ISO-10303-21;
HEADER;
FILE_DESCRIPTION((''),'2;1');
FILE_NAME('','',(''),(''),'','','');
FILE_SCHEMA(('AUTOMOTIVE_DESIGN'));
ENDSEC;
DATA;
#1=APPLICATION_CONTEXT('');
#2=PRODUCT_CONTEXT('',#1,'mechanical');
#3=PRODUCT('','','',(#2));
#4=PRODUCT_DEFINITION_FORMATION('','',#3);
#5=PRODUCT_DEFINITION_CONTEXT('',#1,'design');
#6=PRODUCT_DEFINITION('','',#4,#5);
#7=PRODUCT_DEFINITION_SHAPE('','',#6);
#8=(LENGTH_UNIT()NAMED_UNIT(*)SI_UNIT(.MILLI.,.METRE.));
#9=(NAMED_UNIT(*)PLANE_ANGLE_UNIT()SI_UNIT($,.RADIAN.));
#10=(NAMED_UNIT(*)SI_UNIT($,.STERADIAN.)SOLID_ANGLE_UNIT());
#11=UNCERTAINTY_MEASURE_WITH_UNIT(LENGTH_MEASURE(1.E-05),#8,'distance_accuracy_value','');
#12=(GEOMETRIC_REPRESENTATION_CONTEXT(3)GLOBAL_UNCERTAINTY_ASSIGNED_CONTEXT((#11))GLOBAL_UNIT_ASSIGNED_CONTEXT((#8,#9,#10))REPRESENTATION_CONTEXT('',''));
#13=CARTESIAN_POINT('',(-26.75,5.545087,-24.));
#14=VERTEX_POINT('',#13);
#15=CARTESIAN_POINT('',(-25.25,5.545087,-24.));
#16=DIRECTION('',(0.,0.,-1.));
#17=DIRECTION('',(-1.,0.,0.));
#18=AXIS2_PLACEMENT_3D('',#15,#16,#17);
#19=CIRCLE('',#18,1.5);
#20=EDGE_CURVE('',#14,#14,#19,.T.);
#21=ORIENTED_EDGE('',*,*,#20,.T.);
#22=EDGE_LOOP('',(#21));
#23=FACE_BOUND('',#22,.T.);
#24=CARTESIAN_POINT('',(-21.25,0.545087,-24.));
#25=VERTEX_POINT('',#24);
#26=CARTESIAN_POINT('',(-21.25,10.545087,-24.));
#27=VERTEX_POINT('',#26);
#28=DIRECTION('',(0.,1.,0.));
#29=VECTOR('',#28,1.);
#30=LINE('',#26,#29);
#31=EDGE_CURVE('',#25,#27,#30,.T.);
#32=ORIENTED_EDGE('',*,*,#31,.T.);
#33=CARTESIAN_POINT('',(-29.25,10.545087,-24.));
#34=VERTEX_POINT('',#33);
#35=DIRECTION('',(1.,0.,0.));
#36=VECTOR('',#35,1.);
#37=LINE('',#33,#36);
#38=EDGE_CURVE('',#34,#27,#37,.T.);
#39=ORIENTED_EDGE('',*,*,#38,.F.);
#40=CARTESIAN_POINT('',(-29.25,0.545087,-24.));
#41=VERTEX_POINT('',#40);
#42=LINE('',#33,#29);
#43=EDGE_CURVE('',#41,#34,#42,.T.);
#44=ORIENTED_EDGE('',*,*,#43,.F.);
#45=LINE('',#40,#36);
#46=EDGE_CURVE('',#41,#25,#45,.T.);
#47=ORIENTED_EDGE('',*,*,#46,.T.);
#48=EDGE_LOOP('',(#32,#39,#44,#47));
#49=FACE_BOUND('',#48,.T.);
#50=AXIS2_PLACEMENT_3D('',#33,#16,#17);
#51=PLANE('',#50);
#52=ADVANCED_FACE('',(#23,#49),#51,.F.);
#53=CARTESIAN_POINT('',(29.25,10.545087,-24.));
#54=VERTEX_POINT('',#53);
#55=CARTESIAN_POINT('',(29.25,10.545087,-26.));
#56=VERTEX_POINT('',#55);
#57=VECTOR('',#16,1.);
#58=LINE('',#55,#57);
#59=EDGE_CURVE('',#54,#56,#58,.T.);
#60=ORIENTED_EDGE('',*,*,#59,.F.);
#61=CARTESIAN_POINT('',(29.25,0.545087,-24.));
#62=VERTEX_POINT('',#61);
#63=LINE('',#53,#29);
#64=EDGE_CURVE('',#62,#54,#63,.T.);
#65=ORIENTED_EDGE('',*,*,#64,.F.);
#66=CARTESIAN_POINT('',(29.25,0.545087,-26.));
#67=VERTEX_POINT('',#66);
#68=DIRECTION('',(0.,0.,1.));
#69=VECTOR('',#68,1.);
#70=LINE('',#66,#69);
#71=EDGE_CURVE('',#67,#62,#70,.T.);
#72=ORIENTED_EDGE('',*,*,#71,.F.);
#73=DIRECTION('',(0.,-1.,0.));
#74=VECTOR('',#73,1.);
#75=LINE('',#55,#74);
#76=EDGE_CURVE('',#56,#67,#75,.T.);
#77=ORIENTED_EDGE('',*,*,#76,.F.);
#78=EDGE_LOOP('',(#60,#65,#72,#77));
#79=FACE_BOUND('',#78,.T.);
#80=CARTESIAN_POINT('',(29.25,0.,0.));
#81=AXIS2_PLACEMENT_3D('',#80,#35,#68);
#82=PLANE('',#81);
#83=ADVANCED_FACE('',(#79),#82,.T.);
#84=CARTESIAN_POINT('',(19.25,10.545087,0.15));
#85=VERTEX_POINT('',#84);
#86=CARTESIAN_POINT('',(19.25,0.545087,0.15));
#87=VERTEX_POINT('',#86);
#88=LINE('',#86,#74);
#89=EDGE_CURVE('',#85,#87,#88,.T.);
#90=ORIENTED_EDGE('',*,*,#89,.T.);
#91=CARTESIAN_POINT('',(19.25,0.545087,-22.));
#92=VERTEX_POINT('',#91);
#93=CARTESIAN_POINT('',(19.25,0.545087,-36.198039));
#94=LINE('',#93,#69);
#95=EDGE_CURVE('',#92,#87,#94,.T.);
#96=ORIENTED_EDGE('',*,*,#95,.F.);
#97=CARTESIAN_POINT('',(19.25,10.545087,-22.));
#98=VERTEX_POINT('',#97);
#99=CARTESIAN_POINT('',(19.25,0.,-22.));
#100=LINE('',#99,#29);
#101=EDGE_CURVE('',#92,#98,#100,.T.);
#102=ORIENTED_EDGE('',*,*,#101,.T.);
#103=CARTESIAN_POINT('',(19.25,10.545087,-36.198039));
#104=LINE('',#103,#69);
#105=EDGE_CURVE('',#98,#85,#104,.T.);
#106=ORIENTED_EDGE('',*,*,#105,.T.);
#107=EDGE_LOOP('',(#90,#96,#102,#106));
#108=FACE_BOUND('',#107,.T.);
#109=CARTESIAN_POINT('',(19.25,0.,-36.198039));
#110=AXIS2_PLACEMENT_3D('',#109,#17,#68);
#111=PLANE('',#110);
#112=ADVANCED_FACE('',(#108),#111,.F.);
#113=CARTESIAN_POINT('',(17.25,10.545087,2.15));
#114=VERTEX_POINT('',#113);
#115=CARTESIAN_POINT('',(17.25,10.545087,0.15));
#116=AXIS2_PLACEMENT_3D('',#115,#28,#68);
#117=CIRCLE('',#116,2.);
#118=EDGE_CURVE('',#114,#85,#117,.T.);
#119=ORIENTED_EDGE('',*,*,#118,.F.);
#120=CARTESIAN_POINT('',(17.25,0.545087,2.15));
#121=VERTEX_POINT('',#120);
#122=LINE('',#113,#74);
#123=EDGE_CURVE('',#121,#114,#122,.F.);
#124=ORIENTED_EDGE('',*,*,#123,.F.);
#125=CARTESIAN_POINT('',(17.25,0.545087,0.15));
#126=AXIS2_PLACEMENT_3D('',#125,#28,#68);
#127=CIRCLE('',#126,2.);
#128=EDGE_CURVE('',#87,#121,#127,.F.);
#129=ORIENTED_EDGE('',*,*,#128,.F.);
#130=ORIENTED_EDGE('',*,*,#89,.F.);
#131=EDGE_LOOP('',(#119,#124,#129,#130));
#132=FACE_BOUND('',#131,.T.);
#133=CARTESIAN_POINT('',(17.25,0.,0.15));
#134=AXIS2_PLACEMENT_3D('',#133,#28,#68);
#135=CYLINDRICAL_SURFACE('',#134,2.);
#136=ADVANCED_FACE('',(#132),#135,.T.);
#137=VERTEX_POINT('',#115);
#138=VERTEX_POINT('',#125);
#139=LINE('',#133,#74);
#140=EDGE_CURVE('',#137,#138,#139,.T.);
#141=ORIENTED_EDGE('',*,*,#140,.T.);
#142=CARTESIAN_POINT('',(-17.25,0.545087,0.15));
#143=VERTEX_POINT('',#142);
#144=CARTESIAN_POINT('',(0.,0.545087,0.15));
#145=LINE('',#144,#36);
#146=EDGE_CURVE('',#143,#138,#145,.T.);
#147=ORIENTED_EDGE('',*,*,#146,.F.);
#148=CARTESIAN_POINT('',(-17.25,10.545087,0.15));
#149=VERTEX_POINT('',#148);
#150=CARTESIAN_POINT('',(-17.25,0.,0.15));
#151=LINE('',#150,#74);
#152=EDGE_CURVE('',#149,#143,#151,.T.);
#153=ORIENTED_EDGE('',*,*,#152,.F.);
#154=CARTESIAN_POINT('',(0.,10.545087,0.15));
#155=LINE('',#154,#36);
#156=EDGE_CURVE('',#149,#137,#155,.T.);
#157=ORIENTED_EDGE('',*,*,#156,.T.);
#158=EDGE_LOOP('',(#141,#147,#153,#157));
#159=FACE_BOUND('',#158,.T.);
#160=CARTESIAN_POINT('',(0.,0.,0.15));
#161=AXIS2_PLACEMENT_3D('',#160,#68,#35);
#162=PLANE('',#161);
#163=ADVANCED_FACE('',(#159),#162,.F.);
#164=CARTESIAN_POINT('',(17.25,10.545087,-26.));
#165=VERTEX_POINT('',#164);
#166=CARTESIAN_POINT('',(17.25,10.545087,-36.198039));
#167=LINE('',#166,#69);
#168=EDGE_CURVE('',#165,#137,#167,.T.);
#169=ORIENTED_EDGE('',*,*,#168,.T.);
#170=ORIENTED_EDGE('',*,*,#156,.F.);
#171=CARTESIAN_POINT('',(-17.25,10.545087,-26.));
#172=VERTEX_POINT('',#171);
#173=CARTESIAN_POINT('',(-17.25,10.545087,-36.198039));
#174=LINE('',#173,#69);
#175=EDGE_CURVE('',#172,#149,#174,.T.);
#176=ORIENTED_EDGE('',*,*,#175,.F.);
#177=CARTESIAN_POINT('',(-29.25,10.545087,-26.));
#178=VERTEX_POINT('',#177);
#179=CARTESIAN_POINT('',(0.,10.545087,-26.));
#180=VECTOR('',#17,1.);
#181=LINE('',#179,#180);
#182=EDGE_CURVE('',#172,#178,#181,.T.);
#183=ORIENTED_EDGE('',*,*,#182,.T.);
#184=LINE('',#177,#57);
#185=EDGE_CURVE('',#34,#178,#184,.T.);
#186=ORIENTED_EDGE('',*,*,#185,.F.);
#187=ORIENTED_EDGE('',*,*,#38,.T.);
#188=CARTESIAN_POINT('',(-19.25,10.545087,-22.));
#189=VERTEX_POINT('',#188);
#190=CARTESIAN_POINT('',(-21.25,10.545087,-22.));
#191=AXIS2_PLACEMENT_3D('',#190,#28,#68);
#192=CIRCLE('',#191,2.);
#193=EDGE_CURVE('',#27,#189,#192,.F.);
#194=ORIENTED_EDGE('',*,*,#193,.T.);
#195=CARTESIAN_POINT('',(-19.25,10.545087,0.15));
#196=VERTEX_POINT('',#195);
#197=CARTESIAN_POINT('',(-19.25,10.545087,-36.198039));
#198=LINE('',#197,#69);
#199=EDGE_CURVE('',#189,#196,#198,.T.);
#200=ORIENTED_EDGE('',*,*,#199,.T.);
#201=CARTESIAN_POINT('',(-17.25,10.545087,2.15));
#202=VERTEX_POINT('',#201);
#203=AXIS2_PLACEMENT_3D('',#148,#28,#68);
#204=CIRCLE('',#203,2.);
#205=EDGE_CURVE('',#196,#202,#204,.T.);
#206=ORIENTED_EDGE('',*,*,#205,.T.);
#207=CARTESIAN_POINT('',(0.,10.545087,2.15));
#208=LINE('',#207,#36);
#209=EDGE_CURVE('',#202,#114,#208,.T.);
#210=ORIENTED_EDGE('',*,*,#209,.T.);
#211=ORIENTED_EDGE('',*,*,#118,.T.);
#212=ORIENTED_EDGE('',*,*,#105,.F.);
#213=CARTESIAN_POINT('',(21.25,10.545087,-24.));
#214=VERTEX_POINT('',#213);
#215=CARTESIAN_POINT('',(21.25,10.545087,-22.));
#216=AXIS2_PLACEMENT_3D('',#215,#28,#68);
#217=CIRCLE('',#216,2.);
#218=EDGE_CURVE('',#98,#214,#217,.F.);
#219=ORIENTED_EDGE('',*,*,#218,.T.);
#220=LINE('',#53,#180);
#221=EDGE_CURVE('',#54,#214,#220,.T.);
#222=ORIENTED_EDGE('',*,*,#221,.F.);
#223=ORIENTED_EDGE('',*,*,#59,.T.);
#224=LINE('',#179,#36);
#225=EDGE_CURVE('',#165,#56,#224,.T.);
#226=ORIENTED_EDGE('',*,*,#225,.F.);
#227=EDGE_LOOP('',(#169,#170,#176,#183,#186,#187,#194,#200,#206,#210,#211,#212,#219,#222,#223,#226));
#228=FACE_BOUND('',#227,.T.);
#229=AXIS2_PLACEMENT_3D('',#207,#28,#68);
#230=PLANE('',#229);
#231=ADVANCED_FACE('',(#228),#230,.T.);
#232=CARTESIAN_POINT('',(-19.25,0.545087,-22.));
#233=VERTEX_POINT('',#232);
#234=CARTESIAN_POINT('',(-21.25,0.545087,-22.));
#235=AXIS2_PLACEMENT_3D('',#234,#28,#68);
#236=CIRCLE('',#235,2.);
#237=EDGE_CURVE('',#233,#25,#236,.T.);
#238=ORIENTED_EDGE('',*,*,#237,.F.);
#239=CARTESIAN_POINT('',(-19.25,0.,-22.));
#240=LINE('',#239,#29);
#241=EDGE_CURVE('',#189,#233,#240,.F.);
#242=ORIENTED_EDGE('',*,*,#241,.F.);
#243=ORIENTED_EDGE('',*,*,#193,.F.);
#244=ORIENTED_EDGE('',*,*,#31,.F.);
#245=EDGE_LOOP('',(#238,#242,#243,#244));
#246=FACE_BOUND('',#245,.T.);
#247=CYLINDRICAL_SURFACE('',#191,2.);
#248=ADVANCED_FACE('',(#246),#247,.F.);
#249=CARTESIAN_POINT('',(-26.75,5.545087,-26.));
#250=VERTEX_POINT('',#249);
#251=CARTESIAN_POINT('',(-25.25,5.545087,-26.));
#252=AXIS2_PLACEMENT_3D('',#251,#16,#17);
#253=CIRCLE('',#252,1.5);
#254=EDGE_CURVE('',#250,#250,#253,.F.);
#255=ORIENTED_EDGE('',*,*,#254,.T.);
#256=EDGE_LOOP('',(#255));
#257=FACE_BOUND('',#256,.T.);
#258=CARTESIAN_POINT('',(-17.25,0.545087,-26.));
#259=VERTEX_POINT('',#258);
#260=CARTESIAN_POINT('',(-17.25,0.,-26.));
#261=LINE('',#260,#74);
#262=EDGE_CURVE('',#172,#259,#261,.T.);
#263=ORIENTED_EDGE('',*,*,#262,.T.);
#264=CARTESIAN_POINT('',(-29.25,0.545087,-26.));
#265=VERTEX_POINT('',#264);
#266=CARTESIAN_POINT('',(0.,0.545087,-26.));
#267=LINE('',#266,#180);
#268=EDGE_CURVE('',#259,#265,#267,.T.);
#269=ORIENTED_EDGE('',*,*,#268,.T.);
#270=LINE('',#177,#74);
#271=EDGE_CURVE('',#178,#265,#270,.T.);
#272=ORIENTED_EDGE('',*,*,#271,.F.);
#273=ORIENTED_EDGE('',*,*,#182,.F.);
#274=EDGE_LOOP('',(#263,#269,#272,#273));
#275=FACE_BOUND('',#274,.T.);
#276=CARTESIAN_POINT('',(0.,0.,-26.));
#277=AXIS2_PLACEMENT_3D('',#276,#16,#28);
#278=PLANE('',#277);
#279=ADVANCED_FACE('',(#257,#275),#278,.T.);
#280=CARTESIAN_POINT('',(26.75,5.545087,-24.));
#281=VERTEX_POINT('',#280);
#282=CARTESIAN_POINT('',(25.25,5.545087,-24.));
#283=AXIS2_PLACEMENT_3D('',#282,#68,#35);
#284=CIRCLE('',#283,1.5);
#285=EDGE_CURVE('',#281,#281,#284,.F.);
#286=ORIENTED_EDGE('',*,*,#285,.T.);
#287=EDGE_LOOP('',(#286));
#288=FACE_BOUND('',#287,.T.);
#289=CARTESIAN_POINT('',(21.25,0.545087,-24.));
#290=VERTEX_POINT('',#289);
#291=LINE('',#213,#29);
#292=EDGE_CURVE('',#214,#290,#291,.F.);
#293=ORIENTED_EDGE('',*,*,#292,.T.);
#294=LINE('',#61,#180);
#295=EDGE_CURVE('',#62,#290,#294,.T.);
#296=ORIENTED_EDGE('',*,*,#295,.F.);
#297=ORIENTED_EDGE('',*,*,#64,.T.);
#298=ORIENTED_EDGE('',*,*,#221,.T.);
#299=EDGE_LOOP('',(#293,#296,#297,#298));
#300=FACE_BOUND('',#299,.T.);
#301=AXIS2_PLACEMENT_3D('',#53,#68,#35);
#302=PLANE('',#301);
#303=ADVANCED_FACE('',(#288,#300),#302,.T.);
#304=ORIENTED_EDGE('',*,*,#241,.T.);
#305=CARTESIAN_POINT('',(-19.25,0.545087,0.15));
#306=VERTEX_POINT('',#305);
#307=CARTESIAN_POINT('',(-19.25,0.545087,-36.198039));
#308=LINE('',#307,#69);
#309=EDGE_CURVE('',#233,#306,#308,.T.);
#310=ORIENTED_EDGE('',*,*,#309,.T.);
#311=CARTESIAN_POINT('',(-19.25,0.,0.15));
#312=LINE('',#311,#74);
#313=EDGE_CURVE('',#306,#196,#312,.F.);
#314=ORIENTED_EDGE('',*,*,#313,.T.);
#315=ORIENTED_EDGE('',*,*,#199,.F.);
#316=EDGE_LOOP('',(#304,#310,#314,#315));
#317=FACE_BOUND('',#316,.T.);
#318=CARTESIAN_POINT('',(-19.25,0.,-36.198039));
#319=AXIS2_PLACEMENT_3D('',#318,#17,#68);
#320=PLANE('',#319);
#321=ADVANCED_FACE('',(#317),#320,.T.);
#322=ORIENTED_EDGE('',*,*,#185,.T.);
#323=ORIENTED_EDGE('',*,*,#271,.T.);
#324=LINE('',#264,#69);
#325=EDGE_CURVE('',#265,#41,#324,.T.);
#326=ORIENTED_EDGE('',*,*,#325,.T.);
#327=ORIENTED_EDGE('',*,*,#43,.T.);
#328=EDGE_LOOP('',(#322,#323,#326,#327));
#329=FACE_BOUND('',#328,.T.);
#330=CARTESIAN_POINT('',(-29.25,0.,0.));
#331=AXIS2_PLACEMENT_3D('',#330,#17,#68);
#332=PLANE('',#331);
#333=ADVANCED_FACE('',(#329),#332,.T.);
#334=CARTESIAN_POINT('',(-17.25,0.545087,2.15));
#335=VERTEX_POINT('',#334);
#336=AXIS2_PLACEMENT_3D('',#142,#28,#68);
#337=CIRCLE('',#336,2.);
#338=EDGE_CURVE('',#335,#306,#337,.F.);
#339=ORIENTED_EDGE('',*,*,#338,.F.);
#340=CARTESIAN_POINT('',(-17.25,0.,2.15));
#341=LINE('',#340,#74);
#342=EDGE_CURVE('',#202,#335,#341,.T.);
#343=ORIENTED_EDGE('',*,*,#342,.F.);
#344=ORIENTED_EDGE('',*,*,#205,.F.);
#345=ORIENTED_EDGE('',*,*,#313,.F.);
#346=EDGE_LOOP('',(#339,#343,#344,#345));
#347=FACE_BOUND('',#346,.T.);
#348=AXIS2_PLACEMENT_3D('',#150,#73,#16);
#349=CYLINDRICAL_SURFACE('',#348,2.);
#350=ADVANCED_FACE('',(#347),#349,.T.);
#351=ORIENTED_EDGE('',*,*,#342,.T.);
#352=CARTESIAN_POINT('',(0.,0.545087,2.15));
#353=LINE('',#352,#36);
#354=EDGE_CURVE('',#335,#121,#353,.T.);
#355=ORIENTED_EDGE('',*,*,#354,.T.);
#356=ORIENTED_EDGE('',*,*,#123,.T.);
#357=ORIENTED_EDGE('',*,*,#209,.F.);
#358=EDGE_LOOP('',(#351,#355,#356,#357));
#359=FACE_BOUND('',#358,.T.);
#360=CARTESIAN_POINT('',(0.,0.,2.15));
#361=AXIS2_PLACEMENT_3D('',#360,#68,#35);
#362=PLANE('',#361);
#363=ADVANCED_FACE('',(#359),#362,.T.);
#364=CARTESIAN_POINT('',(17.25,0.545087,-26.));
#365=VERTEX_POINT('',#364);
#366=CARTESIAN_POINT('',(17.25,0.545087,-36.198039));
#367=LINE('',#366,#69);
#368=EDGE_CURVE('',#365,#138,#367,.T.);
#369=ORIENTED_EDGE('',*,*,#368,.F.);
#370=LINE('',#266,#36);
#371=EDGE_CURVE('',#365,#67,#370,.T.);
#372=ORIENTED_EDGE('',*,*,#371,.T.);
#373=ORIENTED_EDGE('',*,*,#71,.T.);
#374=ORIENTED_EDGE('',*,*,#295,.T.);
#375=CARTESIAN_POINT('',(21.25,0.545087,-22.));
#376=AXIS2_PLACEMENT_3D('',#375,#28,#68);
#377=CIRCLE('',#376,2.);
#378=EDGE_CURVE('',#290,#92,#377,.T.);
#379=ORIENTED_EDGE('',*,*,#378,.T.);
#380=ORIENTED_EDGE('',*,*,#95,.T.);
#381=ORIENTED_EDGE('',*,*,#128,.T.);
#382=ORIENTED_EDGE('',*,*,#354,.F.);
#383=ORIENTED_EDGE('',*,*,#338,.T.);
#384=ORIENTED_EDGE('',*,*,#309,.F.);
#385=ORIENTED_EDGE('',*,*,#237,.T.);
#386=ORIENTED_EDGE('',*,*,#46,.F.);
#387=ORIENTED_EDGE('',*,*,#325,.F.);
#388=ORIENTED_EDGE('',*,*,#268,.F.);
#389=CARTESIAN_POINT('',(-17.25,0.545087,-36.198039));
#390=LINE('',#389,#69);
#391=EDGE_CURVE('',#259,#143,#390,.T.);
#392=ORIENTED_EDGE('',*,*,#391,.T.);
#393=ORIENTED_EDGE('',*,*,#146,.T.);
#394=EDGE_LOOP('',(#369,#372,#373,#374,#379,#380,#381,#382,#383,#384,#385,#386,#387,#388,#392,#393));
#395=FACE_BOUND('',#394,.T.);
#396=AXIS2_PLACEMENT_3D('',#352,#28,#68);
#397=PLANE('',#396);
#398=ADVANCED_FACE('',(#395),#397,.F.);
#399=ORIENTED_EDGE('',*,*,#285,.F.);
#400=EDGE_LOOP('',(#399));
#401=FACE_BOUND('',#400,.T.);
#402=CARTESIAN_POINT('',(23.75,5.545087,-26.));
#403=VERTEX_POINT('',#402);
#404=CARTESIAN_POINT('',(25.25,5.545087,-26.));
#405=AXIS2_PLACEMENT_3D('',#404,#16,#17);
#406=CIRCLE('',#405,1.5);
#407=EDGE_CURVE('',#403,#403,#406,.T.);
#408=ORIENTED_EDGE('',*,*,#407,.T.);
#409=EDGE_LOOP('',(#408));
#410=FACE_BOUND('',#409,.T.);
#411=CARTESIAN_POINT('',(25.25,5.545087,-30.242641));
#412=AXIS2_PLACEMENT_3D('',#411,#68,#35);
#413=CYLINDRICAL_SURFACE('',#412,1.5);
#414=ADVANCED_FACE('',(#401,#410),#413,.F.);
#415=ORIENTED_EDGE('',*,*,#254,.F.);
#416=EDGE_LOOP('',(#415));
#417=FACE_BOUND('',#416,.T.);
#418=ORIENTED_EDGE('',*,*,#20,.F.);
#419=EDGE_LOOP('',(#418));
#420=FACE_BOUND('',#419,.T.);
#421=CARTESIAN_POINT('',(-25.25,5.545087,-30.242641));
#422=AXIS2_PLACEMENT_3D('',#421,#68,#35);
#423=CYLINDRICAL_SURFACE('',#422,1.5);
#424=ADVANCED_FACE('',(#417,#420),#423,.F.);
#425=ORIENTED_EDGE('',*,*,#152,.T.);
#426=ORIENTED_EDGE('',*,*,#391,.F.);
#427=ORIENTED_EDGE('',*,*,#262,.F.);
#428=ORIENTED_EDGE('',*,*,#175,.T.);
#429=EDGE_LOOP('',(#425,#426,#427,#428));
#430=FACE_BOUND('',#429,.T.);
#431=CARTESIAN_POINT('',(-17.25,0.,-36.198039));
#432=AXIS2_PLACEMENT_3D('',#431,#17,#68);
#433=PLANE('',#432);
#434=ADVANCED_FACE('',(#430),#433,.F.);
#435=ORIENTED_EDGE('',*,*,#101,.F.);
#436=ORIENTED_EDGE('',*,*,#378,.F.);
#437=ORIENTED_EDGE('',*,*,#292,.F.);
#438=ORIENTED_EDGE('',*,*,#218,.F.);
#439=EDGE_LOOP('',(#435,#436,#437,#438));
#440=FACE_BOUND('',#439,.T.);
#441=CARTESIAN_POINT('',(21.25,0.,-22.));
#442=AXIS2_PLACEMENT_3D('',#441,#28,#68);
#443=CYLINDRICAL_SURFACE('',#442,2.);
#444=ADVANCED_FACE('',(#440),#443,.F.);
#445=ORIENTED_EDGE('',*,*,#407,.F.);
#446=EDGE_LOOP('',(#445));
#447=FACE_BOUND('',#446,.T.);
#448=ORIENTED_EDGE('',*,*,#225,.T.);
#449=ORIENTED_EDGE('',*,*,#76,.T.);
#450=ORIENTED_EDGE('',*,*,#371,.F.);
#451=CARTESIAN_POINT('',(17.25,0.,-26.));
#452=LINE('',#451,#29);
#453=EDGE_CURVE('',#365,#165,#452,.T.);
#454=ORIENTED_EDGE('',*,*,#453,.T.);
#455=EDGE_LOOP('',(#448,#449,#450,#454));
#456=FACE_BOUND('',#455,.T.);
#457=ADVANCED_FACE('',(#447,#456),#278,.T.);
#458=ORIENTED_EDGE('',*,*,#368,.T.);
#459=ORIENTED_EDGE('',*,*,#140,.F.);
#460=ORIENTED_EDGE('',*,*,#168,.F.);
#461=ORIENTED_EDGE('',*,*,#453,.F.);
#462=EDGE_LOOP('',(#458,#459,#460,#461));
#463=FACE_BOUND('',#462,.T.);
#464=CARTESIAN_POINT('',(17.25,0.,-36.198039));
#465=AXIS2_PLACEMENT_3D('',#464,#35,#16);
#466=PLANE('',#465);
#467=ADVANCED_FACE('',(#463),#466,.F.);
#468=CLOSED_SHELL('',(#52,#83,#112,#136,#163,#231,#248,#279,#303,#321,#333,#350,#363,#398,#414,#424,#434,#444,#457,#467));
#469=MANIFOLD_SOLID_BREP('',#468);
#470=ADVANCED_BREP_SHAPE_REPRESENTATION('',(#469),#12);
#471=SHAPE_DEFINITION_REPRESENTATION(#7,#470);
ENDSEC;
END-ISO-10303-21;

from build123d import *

# Parameters (mm, degrees)
BOSS_EXTRUDE1_START = 0.15
SKETCH1_W           = 30
SKETCH1_H           = 10
SKETCH1_W_2         = 2.25
BOSS_EXTRUDE1_DEPTH = 2
SKETCH2_W           = 2
SKETCH2_H           = 10
BOSS_EXTRUDE2_DEPTH = 28.15
SKETCH3_W           = 2
SKETCH3_H           = 10
BOSS_EXTRUDE3_DEPTH = 10
FILLET1_R           = 2
CUT_EXTRUDE1_START  = -2
SKETCH4_R           = 1.5
CUT_EXTRUDE1_DEPTH  = 29.15


with BuildPart() as part:
    # Sketch1 → Boss-Extrude1 (new body)
    with BuildSketch(Plane.XY.offset(BOSS_EXTRUDE1_START)):
        with Locations((0, 5.545087163)):
            Rectangle(SKETCH1_W, SKETCH1_H)
        with Locations((16.125, 5.545087163)):
            Rectangle(SKETCH1_W_2, SKETCH1_H)
        with Locations((-16.125, 5.545087163)):
            Rectangle(SKETCH1_W_2, SKETCH1_H)
    extrude(amount=BOSS_EXTRUDE1_DEPTH)

    # Sketch2 → Boss-Extrude2 (add)
    with BuildSketch(Plane.XY.offset(2.15)):
        with Locations((18.25, 5.545087163)):
            Rectangle(SKETCH2_W, SKETCH2_H)
        with Locations((-18.25, 5.545087163)):
            Rectangle(SKETCH2_W, SKETCH2_H)
    extrude(amount=-BOSS_EXTRUDE2_DEPTH)

    # Sketch3 → Boss-Extrude3 (add)
    with BuildSketch(Plane.ZY.offset(19.25)):
        with Locations((-25, 5.545087163)):
            Rectangle(SKETCH3_W, SKETCH3_H)
    boss_extrude3 = extrude(amount=BOSS_EXTRUDE3_DEPTH)

    # Mirror1: Boss-Extrude3 across plane
    add(boss_extrude3.mirror(Plane(origin=(0, 0, 0), x_dir=(0, 0, 1), z_dir=(1, 0, 0))))

    # Fillet1
    fillet1_edges = [part.edges().sort_by_distance(p)[0] for p in [
        (19.25, 5.545087163, 2.15),
        (-19.25, 5.545087163, 2.15),
        (-19.25, 5.545087163, -24),
        (19.25, 5.545087163, -24),
    ]]
    fillet(fillet1_edges, radius=FILLET1_R)

    # Sketch4 → Cut-Extrude1 (cut)
    with BuildSketch(Plane.XY.offset(-24).offset(CUT_EXTRUDE1_START)):
        with Locations((-25.25, 5.545087163)):
            Circle(SKETCH4_R)
    cut_extrude1 = extrude(amount=CUT_EXTRUDE1_DEPTH, mode=Mode.SUBTRACT)

    # Mirror2: Cut-Extrude1 across plane
    add(cut_extrude1.mirror(Plane(origin=(0, 0, 0), x_dir=(0, 0, 1), z_dir=(1, 0, 0))), mode=Mode.SUBTRACT)


solid = part.part
